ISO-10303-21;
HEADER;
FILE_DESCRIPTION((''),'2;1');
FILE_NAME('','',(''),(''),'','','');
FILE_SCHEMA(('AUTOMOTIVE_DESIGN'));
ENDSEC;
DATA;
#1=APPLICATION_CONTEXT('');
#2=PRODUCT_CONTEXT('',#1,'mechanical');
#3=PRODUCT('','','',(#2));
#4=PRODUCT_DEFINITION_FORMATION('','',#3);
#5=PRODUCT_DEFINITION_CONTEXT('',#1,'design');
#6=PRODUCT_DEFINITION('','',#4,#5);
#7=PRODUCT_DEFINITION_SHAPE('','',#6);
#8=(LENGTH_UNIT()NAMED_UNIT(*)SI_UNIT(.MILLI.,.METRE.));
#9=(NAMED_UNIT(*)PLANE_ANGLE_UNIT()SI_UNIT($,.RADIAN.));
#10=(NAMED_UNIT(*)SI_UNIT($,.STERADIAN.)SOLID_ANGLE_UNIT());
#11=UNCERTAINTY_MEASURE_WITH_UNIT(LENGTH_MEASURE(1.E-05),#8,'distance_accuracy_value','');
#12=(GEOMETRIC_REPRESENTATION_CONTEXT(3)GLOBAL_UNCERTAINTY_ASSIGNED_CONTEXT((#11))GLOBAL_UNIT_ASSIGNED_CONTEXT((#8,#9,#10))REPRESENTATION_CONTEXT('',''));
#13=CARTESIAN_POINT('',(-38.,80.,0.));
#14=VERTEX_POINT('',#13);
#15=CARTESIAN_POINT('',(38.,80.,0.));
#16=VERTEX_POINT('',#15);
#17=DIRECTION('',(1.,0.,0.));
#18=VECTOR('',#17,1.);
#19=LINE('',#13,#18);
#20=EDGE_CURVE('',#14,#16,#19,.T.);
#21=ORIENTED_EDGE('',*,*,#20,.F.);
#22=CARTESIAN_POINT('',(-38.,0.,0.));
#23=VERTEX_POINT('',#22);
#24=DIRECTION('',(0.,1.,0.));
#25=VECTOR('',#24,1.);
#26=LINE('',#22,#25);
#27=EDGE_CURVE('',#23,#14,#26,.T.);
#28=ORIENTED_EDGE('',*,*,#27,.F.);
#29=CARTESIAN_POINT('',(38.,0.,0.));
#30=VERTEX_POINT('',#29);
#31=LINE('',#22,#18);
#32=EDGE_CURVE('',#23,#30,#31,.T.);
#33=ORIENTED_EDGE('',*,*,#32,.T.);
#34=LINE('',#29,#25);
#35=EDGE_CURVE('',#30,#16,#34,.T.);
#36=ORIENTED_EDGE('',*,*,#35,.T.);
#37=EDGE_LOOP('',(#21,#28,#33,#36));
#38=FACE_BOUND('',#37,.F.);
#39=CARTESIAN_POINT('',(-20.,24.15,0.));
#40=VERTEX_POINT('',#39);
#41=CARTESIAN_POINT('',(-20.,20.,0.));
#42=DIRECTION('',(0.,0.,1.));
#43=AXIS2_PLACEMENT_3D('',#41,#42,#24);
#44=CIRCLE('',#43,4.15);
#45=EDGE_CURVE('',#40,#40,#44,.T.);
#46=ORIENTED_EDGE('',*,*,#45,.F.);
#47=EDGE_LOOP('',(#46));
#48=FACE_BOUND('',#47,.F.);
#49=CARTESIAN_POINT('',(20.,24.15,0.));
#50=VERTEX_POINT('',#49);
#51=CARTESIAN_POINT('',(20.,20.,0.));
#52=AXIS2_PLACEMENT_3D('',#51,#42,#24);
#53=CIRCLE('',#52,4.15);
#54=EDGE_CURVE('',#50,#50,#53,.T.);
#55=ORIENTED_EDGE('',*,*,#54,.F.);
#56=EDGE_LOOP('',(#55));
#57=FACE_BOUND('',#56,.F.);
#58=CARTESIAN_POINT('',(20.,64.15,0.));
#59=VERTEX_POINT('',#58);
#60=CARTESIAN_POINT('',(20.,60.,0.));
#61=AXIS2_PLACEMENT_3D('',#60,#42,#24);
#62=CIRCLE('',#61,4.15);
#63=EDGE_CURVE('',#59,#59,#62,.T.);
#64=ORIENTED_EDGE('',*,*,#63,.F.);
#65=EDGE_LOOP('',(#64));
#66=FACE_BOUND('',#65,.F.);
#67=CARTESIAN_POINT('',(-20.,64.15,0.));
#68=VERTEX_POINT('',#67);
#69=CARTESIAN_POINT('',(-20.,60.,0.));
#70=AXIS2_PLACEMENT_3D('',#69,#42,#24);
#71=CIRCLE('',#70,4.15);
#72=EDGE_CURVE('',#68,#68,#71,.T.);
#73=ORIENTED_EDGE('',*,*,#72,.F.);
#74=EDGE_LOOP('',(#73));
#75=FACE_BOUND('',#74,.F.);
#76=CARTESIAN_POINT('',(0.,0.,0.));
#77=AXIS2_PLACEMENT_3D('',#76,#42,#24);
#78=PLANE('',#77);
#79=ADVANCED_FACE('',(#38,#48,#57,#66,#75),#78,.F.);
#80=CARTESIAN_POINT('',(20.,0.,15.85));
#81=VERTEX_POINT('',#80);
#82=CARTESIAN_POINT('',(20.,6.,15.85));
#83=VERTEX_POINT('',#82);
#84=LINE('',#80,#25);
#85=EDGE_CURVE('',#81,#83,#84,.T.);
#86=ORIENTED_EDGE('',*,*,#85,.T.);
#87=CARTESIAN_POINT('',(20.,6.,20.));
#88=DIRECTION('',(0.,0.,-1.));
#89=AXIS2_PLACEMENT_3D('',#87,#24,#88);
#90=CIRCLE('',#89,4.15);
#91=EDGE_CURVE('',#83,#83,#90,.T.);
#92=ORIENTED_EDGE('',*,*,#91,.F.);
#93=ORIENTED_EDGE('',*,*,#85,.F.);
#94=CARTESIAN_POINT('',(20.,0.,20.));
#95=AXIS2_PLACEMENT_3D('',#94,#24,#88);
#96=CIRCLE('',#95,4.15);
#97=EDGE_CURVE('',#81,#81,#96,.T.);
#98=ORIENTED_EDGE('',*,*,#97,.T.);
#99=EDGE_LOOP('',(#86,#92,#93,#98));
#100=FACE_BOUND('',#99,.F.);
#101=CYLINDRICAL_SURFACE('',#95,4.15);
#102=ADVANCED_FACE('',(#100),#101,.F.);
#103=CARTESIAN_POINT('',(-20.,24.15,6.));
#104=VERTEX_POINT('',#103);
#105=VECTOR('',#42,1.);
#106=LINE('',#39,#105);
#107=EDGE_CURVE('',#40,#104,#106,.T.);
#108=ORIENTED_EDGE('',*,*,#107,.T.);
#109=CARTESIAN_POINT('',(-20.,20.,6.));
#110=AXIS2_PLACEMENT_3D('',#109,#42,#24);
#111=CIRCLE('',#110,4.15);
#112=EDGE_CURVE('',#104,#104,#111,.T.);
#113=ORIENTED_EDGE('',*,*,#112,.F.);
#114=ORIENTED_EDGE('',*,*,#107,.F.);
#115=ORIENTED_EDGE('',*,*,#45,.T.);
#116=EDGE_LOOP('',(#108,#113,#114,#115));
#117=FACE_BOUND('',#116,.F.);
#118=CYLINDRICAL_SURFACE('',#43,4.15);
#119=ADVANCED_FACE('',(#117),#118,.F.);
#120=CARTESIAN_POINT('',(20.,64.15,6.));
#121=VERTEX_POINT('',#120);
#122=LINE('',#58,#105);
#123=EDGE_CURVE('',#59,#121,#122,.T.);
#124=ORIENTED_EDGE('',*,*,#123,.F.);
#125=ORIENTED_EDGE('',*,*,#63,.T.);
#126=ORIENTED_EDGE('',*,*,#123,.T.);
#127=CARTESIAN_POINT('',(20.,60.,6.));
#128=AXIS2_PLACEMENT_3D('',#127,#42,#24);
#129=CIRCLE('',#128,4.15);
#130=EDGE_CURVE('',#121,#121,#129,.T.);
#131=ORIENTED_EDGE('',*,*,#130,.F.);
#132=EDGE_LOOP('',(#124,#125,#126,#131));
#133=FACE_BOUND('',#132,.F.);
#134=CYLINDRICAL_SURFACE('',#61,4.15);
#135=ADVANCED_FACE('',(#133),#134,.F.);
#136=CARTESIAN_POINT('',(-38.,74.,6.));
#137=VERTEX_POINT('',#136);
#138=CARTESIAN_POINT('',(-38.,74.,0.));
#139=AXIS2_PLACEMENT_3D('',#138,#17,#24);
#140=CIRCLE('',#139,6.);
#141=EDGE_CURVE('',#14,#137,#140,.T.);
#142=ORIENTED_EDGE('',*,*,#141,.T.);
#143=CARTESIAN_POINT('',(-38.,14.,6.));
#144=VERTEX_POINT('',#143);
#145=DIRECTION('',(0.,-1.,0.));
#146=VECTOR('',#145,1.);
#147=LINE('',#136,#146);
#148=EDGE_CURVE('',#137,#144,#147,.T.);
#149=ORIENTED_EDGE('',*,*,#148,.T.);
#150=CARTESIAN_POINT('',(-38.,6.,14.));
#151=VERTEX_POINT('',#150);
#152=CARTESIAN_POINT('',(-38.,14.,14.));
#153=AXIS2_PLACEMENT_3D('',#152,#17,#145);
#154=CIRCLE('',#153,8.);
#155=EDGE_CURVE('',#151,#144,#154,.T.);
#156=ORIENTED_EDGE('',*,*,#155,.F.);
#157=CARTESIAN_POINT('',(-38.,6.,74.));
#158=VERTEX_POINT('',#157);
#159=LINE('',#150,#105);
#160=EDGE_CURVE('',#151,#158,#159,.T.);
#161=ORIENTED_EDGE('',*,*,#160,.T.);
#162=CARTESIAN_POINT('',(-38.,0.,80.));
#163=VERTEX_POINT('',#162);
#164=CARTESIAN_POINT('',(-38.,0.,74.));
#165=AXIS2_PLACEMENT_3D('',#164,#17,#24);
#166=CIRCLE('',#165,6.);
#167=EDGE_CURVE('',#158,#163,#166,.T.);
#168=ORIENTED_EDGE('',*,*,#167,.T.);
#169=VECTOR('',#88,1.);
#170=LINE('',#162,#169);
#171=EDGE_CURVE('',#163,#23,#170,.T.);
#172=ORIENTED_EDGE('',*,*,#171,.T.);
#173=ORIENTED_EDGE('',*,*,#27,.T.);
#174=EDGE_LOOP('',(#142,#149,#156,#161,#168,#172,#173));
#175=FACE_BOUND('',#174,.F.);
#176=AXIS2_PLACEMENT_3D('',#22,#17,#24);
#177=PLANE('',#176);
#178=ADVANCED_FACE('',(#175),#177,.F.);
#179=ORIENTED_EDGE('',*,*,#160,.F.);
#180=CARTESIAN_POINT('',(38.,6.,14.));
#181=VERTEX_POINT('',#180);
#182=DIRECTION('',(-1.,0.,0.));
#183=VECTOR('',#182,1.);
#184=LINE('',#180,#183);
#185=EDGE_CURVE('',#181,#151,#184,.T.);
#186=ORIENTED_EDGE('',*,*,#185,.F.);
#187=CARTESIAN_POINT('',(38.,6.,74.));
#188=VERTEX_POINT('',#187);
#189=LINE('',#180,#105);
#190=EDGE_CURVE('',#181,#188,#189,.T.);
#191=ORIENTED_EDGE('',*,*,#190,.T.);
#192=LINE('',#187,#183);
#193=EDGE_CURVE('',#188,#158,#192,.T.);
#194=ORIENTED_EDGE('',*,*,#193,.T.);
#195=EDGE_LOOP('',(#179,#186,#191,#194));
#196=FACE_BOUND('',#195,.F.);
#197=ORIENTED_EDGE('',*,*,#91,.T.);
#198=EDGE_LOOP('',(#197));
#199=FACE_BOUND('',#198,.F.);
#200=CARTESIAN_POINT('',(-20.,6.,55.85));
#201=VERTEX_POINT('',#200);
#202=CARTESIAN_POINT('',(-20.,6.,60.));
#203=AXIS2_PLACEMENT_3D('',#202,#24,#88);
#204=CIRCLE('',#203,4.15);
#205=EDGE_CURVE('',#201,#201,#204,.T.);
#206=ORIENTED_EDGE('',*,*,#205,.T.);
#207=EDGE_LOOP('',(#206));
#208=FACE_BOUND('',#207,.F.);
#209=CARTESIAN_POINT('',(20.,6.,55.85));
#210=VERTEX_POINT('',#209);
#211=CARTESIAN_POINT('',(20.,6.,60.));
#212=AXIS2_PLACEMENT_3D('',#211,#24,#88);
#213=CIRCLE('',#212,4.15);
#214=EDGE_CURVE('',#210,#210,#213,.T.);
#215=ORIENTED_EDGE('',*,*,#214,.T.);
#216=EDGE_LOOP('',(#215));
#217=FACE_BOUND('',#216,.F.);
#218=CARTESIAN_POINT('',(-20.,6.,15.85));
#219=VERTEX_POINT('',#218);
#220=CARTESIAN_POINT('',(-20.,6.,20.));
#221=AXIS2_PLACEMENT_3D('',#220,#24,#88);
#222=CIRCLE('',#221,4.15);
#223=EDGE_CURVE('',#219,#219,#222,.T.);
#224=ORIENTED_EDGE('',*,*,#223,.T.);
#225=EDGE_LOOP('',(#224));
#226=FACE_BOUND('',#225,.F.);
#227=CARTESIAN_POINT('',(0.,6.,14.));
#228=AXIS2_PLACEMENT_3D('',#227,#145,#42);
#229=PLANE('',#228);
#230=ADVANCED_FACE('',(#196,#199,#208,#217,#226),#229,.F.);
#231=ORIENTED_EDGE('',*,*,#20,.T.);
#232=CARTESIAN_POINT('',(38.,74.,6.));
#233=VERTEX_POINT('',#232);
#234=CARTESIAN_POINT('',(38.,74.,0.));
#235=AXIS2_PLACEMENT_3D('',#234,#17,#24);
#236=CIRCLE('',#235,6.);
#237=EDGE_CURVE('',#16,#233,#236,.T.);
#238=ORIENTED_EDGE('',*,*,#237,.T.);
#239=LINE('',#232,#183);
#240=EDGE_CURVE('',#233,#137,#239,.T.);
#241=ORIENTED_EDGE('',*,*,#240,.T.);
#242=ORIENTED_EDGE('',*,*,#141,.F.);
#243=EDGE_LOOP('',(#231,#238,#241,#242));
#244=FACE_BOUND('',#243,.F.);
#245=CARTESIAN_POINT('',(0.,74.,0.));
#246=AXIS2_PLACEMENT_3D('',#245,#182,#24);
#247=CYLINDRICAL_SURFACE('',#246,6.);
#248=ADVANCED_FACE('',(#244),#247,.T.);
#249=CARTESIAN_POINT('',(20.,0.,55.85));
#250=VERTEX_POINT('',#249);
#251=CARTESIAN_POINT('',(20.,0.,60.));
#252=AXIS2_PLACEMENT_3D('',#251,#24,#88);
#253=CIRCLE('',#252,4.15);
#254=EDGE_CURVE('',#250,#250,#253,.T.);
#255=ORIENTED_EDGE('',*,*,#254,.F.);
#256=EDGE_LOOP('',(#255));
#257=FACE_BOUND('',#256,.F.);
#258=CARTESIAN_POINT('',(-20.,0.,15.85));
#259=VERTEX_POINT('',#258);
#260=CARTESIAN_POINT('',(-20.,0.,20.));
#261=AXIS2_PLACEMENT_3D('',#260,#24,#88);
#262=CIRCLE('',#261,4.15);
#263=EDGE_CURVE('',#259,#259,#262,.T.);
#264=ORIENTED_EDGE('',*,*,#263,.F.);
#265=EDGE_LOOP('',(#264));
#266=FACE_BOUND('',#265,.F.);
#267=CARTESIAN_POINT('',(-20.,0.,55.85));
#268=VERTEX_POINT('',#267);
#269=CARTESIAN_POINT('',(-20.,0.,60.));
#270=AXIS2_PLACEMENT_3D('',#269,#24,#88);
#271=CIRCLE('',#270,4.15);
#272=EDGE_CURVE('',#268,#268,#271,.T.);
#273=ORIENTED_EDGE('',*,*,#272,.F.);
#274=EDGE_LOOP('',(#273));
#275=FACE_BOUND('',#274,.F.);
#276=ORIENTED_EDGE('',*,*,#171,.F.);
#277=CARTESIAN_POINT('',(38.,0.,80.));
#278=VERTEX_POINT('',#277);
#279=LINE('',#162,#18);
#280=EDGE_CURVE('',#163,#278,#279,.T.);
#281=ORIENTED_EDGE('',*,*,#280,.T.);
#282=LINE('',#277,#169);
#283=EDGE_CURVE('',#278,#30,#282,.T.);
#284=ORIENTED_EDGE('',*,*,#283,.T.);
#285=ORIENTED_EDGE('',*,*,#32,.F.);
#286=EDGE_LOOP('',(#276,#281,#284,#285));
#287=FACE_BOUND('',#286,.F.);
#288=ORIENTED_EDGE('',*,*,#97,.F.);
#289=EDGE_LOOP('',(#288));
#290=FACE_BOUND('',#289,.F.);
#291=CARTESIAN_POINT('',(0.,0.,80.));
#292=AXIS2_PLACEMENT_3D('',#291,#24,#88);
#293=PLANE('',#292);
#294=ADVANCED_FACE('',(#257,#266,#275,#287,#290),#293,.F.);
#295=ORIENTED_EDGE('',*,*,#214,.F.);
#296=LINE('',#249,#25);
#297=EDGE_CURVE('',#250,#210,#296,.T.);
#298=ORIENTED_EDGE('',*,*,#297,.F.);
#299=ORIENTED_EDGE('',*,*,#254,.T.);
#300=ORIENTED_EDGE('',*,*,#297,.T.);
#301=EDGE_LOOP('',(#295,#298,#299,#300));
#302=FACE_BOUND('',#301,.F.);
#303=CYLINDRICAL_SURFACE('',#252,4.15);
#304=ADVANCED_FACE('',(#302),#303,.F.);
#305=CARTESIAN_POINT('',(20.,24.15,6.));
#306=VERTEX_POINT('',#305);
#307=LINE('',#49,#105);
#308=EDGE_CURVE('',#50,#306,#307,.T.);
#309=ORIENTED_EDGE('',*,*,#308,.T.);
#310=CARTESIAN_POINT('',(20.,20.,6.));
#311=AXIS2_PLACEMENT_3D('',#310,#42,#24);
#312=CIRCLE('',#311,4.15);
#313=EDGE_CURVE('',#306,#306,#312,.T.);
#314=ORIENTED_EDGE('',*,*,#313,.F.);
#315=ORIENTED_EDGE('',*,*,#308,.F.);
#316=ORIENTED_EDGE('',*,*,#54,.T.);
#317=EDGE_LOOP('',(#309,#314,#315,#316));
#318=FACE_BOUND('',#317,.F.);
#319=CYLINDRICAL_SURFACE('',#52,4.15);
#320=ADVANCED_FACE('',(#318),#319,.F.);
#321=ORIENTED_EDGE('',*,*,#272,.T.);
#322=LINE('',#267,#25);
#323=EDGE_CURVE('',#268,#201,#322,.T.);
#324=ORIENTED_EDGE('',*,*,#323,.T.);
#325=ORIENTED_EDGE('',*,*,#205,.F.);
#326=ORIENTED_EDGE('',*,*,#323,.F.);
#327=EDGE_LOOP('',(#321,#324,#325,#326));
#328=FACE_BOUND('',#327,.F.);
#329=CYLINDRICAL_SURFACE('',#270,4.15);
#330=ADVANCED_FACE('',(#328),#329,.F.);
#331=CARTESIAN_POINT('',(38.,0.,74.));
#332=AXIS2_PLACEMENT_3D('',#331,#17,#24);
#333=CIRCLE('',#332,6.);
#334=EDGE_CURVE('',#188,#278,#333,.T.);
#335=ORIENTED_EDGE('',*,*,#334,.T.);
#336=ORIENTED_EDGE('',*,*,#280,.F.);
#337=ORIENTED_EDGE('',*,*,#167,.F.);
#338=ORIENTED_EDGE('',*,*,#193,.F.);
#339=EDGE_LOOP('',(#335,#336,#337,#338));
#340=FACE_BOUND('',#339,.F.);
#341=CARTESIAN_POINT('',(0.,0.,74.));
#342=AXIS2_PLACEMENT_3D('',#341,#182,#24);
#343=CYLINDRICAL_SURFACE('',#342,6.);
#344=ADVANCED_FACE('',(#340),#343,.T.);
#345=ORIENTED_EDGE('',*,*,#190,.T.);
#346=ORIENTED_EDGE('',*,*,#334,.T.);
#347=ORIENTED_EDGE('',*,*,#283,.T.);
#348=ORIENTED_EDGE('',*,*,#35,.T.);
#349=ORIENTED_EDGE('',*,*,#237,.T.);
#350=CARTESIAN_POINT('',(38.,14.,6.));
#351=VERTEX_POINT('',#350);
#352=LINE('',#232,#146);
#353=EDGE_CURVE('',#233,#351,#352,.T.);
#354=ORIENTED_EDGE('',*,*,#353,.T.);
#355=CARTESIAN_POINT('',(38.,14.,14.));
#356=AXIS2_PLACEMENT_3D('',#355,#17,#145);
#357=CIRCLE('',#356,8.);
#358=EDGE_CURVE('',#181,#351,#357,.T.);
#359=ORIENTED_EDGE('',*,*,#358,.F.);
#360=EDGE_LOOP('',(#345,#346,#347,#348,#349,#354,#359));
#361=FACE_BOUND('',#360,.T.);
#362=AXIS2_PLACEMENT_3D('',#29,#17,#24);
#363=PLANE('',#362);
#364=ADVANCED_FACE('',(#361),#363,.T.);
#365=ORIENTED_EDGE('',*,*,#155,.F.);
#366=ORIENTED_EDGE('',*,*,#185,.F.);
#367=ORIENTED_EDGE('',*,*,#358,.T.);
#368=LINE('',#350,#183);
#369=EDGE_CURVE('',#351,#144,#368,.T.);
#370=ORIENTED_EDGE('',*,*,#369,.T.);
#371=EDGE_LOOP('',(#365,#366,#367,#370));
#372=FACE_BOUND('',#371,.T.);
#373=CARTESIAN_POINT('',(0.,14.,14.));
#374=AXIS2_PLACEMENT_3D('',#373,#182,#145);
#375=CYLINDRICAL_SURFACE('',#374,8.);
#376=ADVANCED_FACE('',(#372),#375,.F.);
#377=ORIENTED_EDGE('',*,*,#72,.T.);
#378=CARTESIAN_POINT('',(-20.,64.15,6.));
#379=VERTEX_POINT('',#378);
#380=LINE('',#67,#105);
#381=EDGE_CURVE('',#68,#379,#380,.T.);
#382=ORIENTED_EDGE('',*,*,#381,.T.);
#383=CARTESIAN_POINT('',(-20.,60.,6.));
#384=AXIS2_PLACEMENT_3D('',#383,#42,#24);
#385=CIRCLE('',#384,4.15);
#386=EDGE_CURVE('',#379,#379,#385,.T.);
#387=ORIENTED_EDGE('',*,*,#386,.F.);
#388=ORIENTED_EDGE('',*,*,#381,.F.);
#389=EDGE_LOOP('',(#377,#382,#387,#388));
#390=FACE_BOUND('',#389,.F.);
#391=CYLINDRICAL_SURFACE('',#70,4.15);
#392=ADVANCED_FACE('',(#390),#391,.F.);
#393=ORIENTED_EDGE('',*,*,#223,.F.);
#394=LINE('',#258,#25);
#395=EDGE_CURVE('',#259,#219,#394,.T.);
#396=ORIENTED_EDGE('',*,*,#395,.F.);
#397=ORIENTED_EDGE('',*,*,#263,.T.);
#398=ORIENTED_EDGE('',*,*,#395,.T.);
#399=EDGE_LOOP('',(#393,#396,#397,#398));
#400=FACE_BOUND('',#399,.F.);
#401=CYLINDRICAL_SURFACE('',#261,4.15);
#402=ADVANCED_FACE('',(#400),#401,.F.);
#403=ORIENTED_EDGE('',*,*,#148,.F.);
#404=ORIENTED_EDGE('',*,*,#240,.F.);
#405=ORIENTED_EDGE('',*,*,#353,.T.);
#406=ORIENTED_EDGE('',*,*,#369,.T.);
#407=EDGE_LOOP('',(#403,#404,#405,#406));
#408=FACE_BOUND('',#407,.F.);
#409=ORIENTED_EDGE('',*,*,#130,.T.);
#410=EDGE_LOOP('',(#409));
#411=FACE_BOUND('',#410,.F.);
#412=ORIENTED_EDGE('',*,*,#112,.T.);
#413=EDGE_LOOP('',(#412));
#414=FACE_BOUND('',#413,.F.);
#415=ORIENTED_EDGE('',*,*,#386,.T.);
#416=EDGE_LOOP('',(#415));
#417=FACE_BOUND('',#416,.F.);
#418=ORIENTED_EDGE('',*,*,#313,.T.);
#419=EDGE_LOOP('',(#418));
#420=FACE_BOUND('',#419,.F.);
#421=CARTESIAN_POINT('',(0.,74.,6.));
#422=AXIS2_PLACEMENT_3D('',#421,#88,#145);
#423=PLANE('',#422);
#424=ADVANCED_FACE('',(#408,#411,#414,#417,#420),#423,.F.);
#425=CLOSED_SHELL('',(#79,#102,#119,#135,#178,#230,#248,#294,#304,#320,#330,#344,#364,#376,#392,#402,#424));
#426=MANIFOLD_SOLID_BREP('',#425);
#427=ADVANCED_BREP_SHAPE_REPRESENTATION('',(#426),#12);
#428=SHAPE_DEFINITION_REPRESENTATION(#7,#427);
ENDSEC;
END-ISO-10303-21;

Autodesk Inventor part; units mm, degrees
ref_plane "YZ Plane" through (0, 0, 0) normal (1, 0, 0) x (0, 1, 0)
ref_plane "XZ Plane" through (0, 0, 0) normal (0, 1, 0) x (-1, 0, 0)
ref_plane "XY Plane" through (0, 0, 0) normal (0, 0, 1) x (1, 0, 0)
sketch "Sketch_1" plane through (0, 0, 0) normal (1, 0, 0) x (0, 1, 0)
  line L0 (0, 80) -> (0, 0)
  line L1 (0, 0) -> (80, 0)
  arc A0 (80, 0) -> (74, 6) centre (74, 0) ccw
  line L2 (74, 6) -> (14, 6)
  arc A1 (6, 14) -> (14, 6) centre (14, 14) ccw
  line L3 (6, 14) -> (6, 74)
  arc A2 (6, 74) -> (0, 80) centre (0, 74) ccw
extrude "Extrusion1" add sketch "Sketch_1" along normal mid plane 76
sketch "Sketch2" plane through (38, 80, 0) normal (0, 0, -1) x (-1, 0, 0)
  point P0 (18, -20)
hole "Hole1" at (20, 60, 0) direction (0, 0, 1) diameter 8.3 depth 6.6
sketch "Sketch3" plane through (38, 80, 0) normal (0, 0, -1) x (-1, 0, 0)
  point P0 (58, -60)
hole "Hole2" at (-20, 20, 0) direction (0, 0, 1) diameter 8.3 depth 6.6
sketch "Sketch4" plane through (38, 80, 0) normal (0, 0, -1) x (-1, 0, 0)
  point P0 (58, -20)
hole "Hole3" at (-20, 60, 0) direction (0, 0, 1) diameter 8.3 depth 6.6
sketch "Sketch5" plane through (-38, 0, 0) normal (0, -1, 0) x (1, 0, 0)
  point P0 (58, 20)
hole "Hole4" at (20, 0, 20) direction (0, 1, 0) diameter 8.3 depth 6.6
sketch "Sketch6" plane through (-38, 0, 0) normal (0, -1, 0) x (1, 0, 0)
  point P0 (58, 60)
hole "Hole5" at (20, 0, 60) direction (0, 1, 0) diameter 8.3 depth 6.6
sketch "Sketch7" plane through (-38, 0, 0) normal (0, -1, 0) x (1, 0, 0)
  point P0 (18, 20)
hole "Hole6" at (-20, 0, 20) direction (0, 1, 0) diameter 8.3 depth 6.6
sketch "Sketch8" plane through (-38, 0, 0) normal (0, -1, 0) x (1, 0, 0)
  point P0 (18, 60)
hole "Hole7" at (-20, 0, 60) direction (0, 1, 0) diameter 8.3 depth 6.6
sketch "Sketch9" plane through (38, 80, 0) normal (0, 0, -1) x (-1, 0, 0)
  point P0 (18, -60)
hole "Hole8" at (20, 20, 0) direction (0, 0, 1) diameter 8.3 depth 6.6
properties part number "40-4304 Aluminum"
